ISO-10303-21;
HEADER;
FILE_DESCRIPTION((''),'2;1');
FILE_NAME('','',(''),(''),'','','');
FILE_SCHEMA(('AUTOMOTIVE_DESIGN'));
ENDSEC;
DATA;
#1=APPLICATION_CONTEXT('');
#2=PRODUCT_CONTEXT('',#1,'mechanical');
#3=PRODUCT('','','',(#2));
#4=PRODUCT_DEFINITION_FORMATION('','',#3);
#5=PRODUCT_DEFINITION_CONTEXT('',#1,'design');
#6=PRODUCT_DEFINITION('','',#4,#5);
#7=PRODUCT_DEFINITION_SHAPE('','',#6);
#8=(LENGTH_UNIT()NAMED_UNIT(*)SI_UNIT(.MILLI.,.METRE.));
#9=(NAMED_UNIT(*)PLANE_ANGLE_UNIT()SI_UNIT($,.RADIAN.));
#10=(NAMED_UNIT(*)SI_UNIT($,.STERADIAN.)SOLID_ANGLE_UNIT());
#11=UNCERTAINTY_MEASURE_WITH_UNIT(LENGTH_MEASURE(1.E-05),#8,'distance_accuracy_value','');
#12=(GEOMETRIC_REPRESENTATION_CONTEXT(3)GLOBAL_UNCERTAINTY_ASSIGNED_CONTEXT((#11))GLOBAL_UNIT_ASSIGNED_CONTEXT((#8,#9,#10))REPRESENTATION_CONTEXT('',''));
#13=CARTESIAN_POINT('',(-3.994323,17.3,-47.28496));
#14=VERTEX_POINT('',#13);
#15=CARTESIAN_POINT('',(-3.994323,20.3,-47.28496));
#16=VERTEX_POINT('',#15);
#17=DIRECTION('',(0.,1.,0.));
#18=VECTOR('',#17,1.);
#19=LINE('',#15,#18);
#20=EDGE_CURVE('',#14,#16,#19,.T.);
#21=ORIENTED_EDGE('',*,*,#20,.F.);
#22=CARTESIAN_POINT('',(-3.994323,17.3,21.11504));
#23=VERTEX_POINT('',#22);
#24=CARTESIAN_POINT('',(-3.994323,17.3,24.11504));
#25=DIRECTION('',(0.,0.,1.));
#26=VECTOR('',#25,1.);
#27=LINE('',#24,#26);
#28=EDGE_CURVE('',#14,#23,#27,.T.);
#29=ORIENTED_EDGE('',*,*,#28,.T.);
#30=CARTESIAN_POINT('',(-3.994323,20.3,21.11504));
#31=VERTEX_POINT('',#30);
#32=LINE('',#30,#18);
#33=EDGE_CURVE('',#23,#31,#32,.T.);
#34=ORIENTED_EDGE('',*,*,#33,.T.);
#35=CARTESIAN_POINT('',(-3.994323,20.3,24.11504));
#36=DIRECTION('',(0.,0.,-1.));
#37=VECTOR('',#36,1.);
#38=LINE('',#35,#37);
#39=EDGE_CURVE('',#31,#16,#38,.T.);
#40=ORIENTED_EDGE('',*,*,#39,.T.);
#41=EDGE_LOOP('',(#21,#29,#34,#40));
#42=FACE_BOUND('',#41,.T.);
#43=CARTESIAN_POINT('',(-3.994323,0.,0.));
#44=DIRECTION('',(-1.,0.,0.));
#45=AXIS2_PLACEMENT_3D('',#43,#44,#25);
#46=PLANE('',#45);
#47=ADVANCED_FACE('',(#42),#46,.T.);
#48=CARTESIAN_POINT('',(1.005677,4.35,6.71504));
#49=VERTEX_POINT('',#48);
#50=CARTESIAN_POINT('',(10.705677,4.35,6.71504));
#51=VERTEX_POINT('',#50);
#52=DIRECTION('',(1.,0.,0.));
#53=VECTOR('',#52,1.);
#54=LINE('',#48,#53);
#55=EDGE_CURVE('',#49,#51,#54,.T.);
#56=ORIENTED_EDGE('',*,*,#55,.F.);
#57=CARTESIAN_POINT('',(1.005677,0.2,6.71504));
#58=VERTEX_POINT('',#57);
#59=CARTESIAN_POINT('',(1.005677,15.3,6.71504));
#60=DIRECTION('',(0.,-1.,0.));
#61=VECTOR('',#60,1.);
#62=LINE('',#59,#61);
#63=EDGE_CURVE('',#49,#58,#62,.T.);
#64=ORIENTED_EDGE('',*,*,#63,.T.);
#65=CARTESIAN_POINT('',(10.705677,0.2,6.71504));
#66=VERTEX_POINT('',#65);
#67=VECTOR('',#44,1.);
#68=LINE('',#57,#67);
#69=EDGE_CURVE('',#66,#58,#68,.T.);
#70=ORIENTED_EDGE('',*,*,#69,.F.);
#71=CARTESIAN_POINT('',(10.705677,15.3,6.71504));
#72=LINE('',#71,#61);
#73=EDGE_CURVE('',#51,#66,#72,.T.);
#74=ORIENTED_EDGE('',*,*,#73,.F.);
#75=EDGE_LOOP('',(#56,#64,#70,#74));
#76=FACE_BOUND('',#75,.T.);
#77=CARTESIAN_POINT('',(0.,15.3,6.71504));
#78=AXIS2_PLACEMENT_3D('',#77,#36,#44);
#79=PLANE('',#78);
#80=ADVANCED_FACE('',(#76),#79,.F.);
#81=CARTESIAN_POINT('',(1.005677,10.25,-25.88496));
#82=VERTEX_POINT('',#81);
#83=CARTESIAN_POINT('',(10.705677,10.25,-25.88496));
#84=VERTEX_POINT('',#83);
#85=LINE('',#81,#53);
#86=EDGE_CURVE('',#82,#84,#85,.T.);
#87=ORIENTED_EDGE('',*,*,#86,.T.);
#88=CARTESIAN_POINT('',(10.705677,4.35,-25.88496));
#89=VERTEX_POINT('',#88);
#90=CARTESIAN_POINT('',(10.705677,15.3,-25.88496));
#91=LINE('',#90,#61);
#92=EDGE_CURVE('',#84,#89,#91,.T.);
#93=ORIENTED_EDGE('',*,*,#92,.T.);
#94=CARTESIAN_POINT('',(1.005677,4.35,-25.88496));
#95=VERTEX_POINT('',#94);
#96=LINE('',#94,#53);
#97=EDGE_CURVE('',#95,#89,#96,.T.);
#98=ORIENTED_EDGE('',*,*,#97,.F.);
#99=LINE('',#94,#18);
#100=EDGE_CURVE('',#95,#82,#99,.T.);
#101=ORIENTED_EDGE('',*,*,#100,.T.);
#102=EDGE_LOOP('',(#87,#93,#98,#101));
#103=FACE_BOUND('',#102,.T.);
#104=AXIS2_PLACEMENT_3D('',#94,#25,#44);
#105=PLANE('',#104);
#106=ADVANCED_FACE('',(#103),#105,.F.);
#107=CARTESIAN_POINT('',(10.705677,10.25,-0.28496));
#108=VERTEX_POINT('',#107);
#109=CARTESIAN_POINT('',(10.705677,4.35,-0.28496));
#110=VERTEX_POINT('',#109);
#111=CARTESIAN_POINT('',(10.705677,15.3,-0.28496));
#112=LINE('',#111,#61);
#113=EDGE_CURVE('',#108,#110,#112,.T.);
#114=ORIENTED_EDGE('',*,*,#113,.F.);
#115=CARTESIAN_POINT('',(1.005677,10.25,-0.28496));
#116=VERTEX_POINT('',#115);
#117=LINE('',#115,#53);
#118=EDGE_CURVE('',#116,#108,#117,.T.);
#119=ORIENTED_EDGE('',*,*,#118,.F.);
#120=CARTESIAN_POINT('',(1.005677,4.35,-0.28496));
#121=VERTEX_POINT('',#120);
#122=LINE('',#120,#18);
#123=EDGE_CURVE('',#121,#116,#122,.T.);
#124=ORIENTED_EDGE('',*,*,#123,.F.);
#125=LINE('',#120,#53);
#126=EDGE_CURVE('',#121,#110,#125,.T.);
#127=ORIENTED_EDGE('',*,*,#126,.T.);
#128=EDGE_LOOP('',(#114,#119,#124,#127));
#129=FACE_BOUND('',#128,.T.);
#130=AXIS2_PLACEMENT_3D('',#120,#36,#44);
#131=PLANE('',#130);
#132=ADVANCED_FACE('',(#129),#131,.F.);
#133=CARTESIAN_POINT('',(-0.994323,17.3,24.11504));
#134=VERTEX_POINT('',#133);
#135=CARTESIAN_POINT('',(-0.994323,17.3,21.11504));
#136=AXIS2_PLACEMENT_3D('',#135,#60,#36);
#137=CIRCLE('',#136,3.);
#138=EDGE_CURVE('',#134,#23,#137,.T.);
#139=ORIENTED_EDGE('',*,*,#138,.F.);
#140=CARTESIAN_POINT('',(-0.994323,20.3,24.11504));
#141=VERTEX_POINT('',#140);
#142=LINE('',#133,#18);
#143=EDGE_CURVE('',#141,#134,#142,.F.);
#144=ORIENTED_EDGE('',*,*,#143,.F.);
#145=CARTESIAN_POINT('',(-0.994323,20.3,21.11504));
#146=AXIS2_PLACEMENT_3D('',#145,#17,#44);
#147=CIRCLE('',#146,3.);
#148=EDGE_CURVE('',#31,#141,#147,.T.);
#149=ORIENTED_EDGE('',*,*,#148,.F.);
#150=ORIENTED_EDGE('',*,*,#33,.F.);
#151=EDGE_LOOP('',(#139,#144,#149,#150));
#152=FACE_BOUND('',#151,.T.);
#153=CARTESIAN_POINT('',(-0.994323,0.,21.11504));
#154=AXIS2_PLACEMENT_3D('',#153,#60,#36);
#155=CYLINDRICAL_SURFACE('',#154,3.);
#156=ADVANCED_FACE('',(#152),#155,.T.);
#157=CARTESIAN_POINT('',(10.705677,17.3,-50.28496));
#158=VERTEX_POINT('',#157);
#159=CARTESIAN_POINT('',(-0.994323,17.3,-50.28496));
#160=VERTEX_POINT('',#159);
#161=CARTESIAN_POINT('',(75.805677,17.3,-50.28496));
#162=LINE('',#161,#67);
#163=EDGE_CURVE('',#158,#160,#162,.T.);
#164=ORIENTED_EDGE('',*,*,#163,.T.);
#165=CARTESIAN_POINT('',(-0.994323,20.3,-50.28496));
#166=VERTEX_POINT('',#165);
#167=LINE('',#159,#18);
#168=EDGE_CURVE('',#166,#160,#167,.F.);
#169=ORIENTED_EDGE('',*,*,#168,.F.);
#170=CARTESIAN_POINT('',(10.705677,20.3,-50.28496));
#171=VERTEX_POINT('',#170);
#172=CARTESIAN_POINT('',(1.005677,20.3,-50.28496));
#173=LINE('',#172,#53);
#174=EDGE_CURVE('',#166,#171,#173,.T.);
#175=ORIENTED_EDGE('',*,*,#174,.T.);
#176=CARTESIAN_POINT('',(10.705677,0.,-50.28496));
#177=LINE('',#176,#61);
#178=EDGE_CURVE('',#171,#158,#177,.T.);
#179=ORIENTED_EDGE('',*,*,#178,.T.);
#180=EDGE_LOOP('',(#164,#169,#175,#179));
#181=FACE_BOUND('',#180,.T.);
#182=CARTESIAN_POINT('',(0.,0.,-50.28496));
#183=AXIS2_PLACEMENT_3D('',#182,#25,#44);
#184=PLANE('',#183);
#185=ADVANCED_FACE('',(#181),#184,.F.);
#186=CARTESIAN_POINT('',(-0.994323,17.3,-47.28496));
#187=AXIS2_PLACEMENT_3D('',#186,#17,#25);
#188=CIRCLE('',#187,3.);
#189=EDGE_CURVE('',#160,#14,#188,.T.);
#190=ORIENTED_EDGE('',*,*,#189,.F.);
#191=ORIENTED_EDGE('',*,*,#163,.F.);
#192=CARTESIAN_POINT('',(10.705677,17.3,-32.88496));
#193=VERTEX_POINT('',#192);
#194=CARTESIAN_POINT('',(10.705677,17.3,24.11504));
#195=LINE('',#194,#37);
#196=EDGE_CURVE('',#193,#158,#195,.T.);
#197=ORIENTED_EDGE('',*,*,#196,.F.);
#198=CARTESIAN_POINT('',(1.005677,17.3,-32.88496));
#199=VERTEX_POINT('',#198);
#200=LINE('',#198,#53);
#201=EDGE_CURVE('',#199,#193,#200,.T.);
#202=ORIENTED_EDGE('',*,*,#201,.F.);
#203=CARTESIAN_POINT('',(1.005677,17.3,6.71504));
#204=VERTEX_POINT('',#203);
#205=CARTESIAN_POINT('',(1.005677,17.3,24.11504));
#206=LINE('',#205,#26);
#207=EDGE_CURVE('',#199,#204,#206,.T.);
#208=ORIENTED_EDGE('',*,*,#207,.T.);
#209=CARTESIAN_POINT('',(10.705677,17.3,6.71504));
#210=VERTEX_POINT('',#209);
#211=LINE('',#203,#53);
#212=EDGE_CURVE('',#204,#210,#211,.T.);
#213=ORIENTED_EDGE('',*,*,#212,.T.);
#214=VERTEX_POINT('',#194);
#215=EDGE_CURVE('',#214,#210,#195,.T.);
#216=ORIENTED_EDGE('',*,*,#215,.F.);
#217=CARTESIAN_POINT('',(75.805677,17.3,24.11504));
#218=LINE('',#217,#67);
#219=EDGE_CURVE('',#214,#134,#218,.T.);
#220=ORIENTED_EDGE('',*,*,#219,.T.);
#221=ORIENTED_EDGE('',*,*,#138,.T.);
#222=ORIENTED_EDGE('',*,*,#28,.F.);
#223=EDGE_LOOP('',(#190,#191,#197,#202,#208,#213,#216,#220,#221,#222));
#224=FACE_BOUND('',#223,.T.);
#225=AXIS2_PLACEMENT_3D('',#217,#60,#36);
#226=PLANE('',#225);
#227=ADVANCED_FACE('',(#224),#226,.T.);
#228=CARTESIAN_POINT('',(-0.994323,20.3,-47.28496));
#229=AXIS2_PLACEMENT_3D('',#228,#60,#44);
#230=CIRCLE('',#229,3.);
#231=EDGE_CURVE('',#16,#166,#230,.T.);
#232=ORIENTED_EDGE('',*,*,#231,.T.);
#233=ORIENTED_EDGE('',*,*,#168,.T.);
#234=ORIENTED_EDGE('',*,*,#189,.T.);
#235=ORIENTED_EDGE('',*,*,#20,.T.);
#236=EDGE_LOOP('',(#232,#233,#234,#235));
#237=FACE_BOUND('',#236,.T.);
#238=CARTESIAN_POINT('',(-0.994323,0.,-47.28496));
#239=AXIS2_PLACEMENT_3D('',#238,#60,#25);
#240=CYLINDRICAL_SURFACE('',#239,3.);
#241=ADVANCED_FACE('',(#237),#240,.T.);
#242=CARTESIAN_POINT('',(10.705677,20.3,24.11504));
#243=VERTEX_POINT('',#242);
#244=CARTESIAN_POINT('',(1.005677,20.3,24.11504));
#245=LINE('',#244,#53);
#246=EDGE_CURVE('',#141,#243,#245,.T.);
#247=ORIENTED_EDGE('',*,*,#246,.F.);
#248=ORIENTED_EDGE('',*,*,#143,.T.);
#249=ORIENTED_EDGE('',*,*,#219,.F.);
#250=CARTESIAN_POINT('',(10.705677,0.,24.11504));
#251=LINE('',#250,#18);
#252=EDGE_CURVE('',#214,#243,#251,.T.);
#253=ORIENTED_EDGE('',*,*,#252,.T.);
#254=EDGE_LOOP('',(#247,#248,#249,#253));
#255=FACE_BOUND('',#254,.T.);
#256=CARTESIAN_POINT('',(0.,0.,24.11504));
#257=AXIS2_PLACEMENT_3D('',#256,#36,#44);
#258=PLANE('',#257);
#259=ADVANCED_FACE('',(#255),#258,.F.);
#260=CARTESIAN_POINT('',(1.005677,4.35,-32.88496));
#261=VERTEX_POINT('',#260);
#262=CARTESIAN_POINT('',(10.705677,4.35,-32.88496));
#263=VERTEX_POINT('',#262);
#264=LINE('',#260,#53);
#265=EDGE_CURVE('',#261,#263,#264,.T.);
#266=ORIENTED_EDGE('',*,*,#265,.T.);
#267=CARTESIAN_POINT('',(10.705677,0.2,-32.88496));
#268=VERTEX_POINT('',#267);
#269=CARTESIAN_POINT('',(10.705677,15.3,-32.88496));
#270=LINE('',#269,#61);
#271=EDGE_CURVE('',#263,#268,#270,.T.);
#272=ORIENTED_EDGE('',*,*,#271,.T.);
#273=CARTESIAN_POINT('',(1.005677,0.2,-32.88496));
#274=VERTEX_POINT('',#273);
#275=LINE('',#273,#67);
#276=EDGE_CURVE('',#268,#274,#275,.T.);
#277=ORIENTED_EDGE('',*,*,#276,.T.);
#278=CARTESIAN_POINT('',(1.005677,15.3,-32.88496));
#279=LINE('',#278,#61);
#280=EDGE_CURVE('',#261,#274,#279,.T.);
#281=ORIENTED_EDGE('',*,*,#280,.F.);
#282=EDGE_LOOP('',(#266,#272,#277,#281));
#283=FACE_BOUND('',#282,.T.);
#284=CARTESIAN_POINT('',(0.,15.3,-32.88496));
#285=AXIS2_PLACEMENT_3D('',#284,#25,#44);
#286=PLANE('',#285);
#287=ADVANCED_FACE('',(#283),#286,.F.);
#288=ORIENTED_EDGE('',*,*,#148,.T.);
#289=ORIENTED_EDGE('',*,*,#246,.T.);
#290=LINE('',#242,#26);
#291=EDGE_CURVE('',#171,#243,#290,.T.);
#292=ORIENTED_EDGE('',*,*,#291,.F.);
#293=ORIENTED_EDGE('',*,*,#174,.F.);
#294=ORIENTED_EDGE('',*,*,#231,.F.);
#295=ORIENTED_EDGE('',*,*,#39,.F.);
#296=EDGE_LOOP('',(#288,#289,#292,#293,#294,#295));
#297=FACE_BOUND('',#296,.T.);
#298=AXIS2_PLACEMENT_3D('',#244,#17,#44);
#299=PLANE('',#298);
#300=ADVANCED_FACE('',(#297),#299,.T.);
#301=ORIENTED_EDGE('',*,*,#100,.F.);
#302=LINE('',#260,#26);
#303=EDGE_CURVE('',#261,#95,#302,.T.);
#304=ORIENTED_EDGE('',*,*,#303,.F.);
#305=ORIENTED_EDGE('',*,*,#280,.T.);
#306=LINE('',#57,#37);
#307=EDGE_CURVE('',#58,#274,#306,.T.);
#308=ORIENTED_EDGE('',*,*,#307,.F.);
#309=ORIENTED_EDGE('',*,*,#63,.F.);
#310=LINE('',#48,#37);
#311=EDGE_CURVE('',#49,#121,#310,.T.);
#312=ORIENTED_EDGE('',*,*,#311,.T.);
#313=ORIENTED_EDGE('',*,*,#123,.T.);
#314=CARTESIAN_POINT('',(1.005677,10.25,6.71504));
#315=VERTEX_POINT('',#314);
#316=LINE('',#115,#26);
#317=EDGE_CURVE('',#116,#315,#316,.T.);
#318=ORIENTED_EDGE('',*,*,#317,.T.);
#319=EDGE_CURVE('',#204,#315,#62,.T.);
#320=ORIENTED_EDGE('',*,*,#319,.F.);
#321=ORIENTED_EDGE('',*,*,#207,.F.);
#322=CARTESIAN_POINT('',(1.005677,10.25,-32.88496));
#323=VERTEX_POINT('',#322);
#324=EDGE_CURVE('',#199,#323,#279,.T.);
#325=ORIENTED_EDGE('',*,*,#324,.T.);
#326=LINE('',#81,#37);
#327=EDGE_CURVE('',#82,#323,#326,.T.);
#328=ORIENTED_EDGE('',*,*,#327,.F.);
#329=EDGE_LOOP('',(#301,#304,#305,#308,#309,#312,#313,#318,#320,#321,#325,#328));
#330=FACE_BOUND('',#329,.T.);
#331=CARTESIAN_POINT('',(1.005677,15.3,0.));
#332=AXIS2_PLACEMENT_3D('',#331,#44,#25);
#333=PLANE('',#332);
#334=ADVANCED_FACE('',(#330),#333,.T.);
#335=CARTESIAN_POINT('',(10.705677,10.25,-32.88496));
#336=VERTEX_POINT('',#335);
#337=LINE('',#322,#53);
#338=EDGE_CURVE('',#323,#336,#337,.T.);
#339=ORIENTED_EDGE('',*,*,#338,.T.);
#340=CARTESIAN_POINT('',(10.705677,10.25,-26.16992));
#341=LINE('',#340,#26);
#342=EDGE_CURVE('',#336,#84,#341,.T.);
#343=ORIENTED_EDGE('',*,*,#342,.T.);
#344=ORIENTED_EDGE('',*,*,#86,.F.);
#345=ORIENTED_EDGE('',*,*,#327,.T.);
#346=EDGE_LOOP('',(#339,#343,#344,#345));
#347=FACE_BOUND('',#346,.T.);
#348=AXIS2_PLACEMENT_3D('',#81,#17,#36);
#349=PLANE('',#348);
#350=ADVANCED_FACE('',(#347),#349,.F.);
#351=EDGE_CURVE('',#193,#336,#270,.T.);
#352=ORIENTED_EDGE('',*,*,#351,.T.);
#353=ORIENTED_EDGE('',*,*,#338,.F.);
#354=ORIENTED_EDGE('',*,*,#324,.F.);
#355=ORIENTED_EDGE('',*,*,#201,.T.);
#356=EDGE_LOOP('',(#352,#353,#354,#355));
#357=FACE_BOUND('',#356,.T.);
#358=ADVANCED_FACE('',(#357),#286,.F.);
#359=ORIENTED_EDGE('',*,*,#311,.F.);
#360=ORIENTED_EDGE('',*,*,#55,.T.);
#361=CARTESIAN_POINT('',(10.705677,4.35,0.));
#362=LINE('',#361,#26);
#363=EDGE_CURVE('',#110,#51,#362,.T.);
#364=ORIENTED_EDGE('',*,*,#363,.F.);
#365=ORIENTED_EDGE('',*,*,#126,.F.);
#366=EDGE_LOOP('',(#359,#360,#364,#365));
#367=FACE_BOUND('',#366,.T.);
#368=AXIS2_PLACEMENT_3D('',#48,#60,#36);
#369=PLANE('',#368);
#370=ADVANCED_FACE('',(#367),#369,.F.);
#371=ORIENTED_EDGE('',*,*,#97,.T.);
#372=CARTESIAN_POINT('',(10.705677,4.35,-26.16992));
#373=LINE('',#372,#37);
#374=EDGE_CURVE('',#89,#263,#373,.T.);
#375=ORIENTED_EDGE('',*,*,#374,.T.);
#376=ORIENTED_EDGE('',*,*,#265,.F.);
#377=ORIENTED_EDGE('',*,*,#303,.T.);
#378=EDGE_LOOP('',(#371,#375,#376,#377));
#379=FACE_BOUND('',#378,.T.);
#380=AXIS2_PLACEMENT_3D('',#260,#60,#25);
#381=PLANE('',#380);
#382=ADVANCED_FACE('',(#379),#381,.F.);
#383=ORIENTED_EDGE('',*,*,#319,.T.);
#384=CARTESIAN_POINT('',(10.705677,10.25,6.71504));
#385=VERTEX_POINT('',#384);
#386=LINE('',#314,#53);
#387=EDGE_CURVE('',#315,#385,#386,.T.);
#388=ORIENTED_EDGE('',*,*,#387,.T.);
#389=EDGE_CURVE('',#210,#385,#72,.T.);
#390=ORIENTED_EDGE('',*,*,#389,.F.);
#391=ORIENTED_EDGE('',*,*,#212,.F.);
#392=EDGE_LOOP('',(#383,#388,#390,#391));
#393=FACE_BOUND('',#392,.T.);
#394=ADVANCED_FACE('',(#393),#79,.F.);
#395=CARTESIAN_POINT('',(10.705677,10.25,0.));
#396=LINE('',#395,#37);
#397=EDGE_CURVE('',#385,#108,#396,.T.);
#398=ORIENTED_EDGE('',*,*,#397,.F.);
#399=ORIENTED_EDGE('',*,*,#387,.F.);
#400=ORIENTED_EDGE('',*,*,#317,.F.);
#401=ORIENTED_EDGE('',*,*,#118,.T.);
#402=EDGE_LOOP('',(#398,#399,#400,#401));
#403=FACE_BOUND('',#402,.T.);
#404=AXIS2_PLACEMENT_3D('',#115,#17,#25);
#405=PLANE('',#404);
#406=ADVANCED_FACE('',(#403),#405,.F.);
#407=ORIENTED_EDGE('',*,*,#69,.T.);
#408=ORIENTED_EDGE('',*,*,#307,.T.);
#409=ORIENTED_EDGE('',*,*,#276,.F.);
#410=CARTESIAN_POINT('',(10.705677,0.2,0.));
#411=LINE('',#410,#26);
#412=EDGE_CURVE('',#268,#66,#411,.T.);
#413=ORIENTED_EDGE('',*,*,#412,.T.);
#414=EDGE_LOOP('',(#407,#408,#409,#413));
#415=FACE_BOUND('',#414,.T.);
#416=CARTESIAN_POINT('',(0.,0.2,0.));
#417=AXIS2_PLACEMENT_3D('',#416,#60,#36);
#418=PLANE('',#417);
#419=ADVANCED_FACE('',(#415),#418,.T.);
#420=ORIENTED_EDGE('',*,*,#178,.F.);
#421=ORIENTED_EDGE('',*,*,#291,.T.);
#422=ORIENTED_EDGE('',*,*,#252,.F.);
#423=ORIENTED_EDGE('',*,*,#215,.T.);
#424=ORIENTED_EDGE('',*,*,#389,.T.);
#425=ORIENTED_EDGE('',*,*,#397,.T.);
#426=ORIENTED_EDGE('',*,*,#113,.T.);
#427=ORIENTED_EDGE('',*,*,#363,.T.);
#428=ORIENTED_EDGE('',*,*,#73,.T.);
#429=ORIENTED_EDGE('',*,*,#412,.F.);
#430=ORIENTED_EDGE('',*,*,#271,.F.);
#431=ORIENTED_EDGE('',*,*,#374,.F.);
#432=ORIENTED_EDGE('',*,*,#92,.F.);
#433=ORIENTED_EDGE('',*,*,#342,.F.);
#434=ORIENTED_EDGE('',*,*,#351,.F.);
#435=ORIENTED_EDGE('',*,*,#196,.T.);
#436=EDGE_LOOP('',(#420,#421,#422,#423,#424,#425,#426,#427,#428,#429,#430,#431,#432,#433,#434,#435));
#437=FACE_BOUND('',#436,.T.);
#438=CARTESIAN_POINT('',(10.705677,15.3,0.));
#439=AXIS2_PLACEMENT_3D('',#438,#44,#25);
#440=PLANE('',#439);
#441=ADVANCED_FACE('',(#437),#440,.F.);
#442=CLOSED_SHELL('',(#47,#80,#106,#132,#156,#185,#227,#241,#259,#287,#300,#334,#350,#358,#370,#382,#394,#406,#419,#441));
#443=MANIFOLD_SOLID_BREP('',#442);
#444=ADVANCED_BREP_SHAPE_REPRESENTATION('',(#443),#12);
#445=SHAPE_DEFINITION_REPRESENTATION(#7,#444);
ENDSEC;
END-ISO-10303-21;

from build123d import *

# Parameters (mm, degrees)
BOSS_EXTRUDE1_DEPTH = 15.3
SKETCH4_W           = 7
SKETCH4_H           = 5.9
CUT_EXTRUDE1_DEPTH  = 78.461901488
SKETCH5_W           = 74.8
SKETCH5_H           = 19.8
BOSS_EXTRUDE2_DEPTH = 2
SKETCH6_W           = 74.8
SKETCH6_H           = 3
BOSS_EXTRUDE3_DEPTH = 37.2
SKETCH7_W           = 37.2
SKETCH7_H           = 3
BOSS_EXTRUDE4_DEPTH = 5
FILLET1_R           = 3
BOSS_EXTRUDE5_DEPTH = 23.3
FILLET2_R           = 2
SKETCH10_W          = 74.8
SKETCH10_H          = 19.8
CUT_EXTRUDE2_DEPTH  = 0.2
CUT_EXTRUDE3_DEPTH  = 5
CUT_EXTRUDE3_DRAFT  = 30
BOSS_EXTRUDE6_DEPTH = 15
CUT_EXTRUDE4_START  = -80.1
SKETCH15_W          = 92.424256673
SKETCH15_H          = 46.662169566
CUT_EXTRUDE4_DEPTH  = 80.1


with BuildPart() as part:
    # Sketch1 → Boss-Extrude1 (new body)
    with BuildSketch(Plane(origin=(0, 0, 0), x_dir=(1, 0, 0), z_dir=(0, 1, 0))):
        with BuildLine():
            Line((1.005677457, 13.08496015), (1.005677457, -6.71503985))
            Line((1.005677457, -6.71503985), (10.705677457, -6.71503985))
            Line((10.705677457, -6.71503985), (10.705677457, 7.68496015))
            ThreePointArc((10.705677457, 7.68496015), (24.690281417, 4.453424809), (33.705677457, -6.71503985))
            Line((33.705677457, -6.71503985), (75.805677457, -6.71503985))
            Line((75.805677457, -6.71503985), (75.805677457, 13.08496015))
            Line((75.805677457, 13.08496015), (1.005677457, 13.08496015))
        make_face()
    extrude(amount=BOSS_EXTRUDE1_DEPTH)

    # Sketch4 → Cut-Extrude1 (cut, through all)
    with BuildSketch(Plane(origin=(75.805677457, 0, 0), x_dir=(0, 0, -1), z_dir=(1, 0, 0))):
        with Locations((-3.21503985, 7.3)):
            Rectangle(SKETCH4_W, SKETCH4_H)
    extrude(amount=-CUT_EXTRUDE1_DEPTH, mode=Mode.SUBTRACT)

    # Sketch5 → Boss-Extrude2 (add)
    with BuildSketch(Plane(origin=(0, 15.3, 0), x_dir=(1, 0, 0), z_dir=(0, 1, 0))):
        with Locations((38.405677457, 3.18496015)):
            Rectangle(SKETCH5_W, SKETCH5_H)
    extrude(amount=BOSS_EXTRUDE2_DEPTH)

    # Sketch6 → Boss-Extrude3 (add)
    with BuildSketch(Plane(origin=(0, 0, -13.08496015), x_dir=(-1, 0, 0), z_dir=(0, 0, -1))):
        with Locations((-38.405677457, 18.8)):
            Rectangle(SKETCH6_W, SKETCH6_H)
    extrude(amount=-BOSS_EXTRUDE3_DEPTH)

    # Sketch7 → Boss-Extrude4 (add)
    with BuildSketch(Plane.ZY.offset(-1.005677457)):
        with Locations((5.51503985, 18.8)):
            Rectangle(SKETCH7_W, SKETCH7_H)
    extrude(amount=BOSS_EXTRUDE4_DEPTH)

    # Fillet1
    fillet1_edges = [part.edges().sort_by_distance(p)[0] for p in [
        (-3.994322543, 18.8, 24.11503985),
    ]]
    fillet(fillet1_edges, radius=FILLET1_R)

    # Sketch8 → Boss-Extrude5 (add)
    with BuildSketch(Plane(origin=(0, 20.3, 0), x_dir=(1, 0, 0), z_dir=(0, 1, 0))):
        with BuildLine():
            Line((75.805677457, 13.08496015), (90.805677457, 13.08496015))
            Line((90.805677457, 13.08496015), (90.805677457, -3.072659154))
            ThreePointArc((90.805677457, -3.072659154), (86.671822493, -15.993396221), (75.805677457, -24.11503985))
            Line((75.805677457, -24.11503985), (75.805677457, 13.08496015))
        make_face()
    extrude(amount=-BOSS_EXTRUDE5_DEPTH)

    # Fillet2
    fillet2_edges = [part.edges().sort_by_distance(p)[0] for p in [
        (90.805677457, -3, -5.006150498),
        (86.671822493, -3, 15.993396221),
    ]]
    fillet(fillet2_edges, radius=FILLET2_R)

    # Sketch10 → Cut-Extrude2 (cut)
    with BuildSketch(Plane(origin=(0, 0, 0), x_dir=(-1, 0, 0), z_dir=(0, -1, 0))):
        with Locations((-38.405677457, 3.18496015)):
            Rectangle(SKETCH10_W, SKETCH10_H)
    extrude(amount=-CUT_EXTRUDE2_DEPTH, mode=Mode.SUBTRACT)


with BuildPart() as cut_extrude3_tool:
    # Sketch11 → Cut-Extrude3 (with draft: the straight prism first)
    with BuildSketch(Plane(origin=(0, -3, 0), x_dir=(-1, 0, 0), z_dir=(0, -1, 0))):
        with BuildLine():
            Line((-75.805677457, 13.08496015), (-83.305677457, 13.08496015))
            Line((-83.305677457, 13.08496015), (-83.305677457, 8.08496015))
            ThreePointArc((-83.305677457, 8.08496015), (-80.312616551, 4.449551508), (-75.805677457, 3.08496015))
            Line((-75.805677457, 3.08496015), (-75.805677457, 13.08496015))
        make_face()
    extrude(amount=-CUT_EXTRUDE3_DEPTH)
    # Cut-Extrude3: the draft: its side faces are tilted about the plane it starts from
    cut_extrude3_sides = [cut_extrude3_tool.faces().sort_by_distance(p)[0] for p in [
        (75.805677457, -0.5, -8.08496015),
        (79.555677457, -0.5, -13.08496015),
        (83.305677457, -0.5, -10.58496015),
        (80.312616551, -0.5, -4.449551508),
    ]]
    draft(cut_extrude3_sides, Plane(origin=(0, -3, 0), x_dir=(-1, 0, 0), z_dir=(0, -1, 0)), CUT_EXTRUDE3_DRAFT)


with BuildPart() as part_1:
    add(part.part)

    # Cut-Extrude3: cut by cut_extrude3_tool
    add(cut_extrude3_tool.part, mode=Mode.SUBTRACT)

    # Sketch14 → Boss-Extrude6 (add)
    with BuildSketch(Plane(origin=(0, 0, -13.08496015), x_dir=(-1, 0, 0), z_dir=(0, 0, -1))):
        Polygon((-72.918926111, 2), (-73.958156595, 0.2), (-75.805677457, 0.2), (-75.805677457, 2), align=None)
    extrude(amount=-BOSS_EXTRUDE6_DEPTH)

    # Mirror1: part across plane


with BuildPart() as part_2:
    add(part_1.part)
    add(part_1.part.mirror(Plane(origin=(0, 15.3, -13.08496015), x_dir=(1, 0, 0), z_dir=(0, 0, -1))))

    # Sketch15 → Cut-Extrude4 (cut)
    with BuildSketch(Plane(origin=(90.805677457, 0, 0), x_dir=(0, 0, -1), z_dir=(1, 0, 0)).offset(CUT_EXTRUDE4_START)):
        with Locations((15.406225438, 7.825251121)):
            Rectangle(SKETCH15_W, SKETCH15_H)
    extrude(amount=CUT_EXTRUDE4_DEPTH, mode=Mode.SUBTRACT)


solid = part_2.part
